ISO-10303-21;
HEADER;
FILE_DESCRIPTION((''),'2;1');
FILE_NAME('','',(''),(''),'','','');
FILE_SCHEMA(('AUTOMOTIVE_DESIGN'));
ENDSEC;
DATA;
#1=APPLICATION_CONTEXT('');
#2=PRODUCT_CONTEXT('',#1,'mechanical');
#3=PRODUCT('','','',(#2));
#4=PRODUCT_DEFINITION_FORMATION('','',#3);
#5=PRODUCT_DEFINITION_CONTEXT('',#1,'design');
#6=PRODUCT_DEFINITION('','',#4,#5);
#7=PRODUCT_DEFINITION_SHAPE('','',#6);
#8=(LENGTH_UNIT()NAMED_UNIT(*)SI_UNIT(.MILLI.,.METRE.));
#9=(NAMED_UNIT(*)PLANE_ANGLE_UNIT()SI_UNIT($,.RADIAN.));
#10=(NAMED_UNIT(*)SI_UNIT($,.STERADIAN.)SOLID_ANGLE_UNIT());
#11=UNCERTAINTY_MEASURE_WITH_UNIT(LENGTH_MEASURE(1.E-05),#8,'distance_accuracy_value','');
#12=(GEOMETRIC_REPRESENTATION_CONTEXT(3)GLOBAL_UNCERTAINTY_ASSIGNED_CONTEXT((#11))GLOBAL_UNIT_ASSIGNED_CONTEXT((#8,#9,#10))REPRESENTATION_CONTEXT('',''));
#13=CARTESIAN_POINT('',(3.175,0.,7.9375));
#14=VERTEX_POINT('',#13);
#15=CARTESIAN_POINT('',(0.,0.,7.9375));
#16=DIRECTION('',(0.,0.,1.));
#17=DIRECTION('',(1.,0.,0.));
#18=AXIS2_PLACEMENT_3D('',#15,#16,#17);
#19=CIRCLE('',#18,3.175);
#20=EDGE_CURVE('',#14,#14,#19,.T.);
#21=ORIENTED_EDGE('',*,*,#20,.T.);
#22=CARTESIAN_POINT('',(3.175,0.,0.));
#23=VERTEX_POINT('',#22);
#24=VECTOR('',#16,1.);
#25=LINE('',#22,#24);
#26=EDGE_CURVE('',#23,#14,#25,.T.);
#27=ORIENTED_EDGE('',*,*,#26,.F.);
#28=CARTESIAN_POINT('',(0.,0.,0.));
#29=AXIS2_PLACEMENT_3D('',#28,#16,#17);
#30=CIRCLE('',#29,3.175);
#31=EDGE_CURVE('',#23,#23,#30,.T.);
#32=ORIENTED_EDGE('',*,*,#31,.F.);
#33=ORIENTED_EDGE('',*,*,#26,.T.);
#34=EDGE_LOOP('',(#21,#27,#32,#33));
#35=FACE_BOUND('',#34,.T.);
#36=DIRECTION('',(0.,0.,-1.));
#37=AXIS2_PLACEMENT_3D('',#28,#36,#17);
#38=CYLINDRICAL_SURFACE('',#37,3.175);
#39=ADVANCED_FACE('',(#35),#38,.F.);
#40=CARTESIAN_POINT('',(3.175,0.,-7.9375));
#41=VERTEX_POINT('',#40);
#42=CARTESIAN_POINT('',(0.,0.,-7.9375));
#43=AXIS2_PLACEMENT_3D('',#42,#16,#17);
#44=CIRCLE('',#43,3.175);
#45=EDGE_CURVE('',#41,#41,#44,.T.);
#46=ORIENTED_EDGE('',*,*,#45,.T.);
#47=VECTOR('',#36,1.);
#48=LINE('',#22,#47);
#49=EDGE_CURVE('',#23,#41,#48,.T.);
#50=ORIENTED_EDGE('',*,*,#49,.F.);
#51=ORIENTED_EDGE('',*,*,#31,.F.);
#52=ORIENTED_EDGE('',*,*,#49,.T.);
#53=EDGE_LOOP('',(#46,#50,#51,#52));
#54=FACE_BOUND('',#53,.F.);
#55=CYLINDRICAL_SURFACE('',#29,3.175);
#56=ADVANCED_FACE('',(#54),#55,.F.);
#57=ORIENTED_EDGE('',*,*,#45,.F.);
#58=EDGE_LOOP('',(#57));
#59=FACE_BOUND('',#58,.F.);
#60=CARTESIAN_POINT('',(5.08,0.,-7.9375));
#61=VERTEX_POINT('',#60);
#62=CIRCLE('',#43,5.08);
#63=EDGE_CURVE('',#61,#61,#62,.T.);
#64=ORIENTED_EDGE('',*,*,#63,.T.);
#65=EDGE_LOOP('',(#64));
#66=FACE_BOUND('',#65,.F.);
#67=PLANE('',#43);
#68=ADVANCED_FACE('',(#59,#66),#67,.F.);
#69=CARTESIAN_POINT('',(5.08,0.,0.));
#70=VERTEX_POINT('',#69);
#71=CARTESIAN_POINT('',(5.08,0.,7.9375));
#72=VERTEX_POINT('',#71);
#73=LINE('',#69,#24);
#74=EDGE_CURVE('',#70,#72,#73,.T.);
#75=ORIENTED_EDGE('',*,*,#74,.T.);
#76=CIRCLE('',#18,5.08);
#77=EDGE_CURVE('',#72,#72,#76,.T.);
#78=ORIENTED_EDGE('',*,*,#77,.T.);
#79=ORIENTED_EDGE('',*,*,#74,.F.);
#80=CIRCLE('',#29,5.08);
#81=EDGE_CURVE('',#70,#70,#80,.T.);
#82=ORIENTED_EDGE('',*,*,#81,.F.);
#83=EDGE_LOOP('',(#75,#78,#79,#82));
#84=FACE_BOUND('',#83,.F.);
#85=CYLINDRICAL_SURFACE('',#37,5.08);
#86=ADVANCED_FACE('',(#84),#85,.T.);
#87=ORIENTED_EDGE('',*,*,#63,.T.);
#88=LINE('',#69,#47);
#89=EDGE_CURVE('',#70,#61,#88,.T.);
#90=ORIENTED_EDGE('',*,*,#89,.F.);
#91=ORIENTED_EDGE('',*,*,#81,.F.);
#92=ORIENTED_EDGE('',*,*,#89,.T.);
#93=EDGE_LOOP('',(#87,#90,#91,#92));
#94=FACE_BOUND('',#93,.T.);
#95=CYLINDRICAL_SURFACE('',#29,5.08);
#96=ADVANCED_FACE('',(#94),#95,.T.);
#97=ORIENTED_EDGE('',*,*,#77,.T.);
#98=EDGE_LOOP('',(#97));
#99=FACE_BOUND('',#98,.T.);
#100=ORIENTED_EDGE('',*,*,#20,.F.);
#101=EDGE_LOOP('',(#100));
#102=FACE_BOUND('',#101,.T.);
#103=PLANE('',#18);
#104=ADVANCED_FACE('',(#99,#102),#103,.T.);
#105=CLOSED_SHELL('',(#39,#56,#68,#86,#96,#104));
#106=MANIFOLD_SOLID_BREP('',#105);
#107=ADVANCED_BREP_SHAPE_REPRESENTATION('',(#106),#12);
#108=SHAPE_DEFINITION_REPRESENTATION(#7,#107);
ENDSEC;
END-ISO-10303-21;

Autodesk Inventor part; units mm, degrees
ref_plane "YZ Plane" through (0, 0, 0) normal (1, 0, 0) x (0, 1, 0)
ref_plane "XZ Plane" through (0, 0, 0) normal (0, 1, 0) x (-1, 0, 0)
ref_plane "XY Plane" through (0, 0, 0) normal (0, 0, 1) x (1, 0, 0)
sketch "Sketch1" plane through (0, 0, 0) normal (0, 0, 1) x (1, 0, 0)
  circle A0 centre (0, 0) radius 3.175
  circle A1 centre (0, 0) radius 5.08
  dimension "d0" = 6.35
  dimension "d1" = 10.16
extrude "Extrusion1" add sketch "Sketch1" along normal mid plane 15.875
properties part number ".625''_spacer"
